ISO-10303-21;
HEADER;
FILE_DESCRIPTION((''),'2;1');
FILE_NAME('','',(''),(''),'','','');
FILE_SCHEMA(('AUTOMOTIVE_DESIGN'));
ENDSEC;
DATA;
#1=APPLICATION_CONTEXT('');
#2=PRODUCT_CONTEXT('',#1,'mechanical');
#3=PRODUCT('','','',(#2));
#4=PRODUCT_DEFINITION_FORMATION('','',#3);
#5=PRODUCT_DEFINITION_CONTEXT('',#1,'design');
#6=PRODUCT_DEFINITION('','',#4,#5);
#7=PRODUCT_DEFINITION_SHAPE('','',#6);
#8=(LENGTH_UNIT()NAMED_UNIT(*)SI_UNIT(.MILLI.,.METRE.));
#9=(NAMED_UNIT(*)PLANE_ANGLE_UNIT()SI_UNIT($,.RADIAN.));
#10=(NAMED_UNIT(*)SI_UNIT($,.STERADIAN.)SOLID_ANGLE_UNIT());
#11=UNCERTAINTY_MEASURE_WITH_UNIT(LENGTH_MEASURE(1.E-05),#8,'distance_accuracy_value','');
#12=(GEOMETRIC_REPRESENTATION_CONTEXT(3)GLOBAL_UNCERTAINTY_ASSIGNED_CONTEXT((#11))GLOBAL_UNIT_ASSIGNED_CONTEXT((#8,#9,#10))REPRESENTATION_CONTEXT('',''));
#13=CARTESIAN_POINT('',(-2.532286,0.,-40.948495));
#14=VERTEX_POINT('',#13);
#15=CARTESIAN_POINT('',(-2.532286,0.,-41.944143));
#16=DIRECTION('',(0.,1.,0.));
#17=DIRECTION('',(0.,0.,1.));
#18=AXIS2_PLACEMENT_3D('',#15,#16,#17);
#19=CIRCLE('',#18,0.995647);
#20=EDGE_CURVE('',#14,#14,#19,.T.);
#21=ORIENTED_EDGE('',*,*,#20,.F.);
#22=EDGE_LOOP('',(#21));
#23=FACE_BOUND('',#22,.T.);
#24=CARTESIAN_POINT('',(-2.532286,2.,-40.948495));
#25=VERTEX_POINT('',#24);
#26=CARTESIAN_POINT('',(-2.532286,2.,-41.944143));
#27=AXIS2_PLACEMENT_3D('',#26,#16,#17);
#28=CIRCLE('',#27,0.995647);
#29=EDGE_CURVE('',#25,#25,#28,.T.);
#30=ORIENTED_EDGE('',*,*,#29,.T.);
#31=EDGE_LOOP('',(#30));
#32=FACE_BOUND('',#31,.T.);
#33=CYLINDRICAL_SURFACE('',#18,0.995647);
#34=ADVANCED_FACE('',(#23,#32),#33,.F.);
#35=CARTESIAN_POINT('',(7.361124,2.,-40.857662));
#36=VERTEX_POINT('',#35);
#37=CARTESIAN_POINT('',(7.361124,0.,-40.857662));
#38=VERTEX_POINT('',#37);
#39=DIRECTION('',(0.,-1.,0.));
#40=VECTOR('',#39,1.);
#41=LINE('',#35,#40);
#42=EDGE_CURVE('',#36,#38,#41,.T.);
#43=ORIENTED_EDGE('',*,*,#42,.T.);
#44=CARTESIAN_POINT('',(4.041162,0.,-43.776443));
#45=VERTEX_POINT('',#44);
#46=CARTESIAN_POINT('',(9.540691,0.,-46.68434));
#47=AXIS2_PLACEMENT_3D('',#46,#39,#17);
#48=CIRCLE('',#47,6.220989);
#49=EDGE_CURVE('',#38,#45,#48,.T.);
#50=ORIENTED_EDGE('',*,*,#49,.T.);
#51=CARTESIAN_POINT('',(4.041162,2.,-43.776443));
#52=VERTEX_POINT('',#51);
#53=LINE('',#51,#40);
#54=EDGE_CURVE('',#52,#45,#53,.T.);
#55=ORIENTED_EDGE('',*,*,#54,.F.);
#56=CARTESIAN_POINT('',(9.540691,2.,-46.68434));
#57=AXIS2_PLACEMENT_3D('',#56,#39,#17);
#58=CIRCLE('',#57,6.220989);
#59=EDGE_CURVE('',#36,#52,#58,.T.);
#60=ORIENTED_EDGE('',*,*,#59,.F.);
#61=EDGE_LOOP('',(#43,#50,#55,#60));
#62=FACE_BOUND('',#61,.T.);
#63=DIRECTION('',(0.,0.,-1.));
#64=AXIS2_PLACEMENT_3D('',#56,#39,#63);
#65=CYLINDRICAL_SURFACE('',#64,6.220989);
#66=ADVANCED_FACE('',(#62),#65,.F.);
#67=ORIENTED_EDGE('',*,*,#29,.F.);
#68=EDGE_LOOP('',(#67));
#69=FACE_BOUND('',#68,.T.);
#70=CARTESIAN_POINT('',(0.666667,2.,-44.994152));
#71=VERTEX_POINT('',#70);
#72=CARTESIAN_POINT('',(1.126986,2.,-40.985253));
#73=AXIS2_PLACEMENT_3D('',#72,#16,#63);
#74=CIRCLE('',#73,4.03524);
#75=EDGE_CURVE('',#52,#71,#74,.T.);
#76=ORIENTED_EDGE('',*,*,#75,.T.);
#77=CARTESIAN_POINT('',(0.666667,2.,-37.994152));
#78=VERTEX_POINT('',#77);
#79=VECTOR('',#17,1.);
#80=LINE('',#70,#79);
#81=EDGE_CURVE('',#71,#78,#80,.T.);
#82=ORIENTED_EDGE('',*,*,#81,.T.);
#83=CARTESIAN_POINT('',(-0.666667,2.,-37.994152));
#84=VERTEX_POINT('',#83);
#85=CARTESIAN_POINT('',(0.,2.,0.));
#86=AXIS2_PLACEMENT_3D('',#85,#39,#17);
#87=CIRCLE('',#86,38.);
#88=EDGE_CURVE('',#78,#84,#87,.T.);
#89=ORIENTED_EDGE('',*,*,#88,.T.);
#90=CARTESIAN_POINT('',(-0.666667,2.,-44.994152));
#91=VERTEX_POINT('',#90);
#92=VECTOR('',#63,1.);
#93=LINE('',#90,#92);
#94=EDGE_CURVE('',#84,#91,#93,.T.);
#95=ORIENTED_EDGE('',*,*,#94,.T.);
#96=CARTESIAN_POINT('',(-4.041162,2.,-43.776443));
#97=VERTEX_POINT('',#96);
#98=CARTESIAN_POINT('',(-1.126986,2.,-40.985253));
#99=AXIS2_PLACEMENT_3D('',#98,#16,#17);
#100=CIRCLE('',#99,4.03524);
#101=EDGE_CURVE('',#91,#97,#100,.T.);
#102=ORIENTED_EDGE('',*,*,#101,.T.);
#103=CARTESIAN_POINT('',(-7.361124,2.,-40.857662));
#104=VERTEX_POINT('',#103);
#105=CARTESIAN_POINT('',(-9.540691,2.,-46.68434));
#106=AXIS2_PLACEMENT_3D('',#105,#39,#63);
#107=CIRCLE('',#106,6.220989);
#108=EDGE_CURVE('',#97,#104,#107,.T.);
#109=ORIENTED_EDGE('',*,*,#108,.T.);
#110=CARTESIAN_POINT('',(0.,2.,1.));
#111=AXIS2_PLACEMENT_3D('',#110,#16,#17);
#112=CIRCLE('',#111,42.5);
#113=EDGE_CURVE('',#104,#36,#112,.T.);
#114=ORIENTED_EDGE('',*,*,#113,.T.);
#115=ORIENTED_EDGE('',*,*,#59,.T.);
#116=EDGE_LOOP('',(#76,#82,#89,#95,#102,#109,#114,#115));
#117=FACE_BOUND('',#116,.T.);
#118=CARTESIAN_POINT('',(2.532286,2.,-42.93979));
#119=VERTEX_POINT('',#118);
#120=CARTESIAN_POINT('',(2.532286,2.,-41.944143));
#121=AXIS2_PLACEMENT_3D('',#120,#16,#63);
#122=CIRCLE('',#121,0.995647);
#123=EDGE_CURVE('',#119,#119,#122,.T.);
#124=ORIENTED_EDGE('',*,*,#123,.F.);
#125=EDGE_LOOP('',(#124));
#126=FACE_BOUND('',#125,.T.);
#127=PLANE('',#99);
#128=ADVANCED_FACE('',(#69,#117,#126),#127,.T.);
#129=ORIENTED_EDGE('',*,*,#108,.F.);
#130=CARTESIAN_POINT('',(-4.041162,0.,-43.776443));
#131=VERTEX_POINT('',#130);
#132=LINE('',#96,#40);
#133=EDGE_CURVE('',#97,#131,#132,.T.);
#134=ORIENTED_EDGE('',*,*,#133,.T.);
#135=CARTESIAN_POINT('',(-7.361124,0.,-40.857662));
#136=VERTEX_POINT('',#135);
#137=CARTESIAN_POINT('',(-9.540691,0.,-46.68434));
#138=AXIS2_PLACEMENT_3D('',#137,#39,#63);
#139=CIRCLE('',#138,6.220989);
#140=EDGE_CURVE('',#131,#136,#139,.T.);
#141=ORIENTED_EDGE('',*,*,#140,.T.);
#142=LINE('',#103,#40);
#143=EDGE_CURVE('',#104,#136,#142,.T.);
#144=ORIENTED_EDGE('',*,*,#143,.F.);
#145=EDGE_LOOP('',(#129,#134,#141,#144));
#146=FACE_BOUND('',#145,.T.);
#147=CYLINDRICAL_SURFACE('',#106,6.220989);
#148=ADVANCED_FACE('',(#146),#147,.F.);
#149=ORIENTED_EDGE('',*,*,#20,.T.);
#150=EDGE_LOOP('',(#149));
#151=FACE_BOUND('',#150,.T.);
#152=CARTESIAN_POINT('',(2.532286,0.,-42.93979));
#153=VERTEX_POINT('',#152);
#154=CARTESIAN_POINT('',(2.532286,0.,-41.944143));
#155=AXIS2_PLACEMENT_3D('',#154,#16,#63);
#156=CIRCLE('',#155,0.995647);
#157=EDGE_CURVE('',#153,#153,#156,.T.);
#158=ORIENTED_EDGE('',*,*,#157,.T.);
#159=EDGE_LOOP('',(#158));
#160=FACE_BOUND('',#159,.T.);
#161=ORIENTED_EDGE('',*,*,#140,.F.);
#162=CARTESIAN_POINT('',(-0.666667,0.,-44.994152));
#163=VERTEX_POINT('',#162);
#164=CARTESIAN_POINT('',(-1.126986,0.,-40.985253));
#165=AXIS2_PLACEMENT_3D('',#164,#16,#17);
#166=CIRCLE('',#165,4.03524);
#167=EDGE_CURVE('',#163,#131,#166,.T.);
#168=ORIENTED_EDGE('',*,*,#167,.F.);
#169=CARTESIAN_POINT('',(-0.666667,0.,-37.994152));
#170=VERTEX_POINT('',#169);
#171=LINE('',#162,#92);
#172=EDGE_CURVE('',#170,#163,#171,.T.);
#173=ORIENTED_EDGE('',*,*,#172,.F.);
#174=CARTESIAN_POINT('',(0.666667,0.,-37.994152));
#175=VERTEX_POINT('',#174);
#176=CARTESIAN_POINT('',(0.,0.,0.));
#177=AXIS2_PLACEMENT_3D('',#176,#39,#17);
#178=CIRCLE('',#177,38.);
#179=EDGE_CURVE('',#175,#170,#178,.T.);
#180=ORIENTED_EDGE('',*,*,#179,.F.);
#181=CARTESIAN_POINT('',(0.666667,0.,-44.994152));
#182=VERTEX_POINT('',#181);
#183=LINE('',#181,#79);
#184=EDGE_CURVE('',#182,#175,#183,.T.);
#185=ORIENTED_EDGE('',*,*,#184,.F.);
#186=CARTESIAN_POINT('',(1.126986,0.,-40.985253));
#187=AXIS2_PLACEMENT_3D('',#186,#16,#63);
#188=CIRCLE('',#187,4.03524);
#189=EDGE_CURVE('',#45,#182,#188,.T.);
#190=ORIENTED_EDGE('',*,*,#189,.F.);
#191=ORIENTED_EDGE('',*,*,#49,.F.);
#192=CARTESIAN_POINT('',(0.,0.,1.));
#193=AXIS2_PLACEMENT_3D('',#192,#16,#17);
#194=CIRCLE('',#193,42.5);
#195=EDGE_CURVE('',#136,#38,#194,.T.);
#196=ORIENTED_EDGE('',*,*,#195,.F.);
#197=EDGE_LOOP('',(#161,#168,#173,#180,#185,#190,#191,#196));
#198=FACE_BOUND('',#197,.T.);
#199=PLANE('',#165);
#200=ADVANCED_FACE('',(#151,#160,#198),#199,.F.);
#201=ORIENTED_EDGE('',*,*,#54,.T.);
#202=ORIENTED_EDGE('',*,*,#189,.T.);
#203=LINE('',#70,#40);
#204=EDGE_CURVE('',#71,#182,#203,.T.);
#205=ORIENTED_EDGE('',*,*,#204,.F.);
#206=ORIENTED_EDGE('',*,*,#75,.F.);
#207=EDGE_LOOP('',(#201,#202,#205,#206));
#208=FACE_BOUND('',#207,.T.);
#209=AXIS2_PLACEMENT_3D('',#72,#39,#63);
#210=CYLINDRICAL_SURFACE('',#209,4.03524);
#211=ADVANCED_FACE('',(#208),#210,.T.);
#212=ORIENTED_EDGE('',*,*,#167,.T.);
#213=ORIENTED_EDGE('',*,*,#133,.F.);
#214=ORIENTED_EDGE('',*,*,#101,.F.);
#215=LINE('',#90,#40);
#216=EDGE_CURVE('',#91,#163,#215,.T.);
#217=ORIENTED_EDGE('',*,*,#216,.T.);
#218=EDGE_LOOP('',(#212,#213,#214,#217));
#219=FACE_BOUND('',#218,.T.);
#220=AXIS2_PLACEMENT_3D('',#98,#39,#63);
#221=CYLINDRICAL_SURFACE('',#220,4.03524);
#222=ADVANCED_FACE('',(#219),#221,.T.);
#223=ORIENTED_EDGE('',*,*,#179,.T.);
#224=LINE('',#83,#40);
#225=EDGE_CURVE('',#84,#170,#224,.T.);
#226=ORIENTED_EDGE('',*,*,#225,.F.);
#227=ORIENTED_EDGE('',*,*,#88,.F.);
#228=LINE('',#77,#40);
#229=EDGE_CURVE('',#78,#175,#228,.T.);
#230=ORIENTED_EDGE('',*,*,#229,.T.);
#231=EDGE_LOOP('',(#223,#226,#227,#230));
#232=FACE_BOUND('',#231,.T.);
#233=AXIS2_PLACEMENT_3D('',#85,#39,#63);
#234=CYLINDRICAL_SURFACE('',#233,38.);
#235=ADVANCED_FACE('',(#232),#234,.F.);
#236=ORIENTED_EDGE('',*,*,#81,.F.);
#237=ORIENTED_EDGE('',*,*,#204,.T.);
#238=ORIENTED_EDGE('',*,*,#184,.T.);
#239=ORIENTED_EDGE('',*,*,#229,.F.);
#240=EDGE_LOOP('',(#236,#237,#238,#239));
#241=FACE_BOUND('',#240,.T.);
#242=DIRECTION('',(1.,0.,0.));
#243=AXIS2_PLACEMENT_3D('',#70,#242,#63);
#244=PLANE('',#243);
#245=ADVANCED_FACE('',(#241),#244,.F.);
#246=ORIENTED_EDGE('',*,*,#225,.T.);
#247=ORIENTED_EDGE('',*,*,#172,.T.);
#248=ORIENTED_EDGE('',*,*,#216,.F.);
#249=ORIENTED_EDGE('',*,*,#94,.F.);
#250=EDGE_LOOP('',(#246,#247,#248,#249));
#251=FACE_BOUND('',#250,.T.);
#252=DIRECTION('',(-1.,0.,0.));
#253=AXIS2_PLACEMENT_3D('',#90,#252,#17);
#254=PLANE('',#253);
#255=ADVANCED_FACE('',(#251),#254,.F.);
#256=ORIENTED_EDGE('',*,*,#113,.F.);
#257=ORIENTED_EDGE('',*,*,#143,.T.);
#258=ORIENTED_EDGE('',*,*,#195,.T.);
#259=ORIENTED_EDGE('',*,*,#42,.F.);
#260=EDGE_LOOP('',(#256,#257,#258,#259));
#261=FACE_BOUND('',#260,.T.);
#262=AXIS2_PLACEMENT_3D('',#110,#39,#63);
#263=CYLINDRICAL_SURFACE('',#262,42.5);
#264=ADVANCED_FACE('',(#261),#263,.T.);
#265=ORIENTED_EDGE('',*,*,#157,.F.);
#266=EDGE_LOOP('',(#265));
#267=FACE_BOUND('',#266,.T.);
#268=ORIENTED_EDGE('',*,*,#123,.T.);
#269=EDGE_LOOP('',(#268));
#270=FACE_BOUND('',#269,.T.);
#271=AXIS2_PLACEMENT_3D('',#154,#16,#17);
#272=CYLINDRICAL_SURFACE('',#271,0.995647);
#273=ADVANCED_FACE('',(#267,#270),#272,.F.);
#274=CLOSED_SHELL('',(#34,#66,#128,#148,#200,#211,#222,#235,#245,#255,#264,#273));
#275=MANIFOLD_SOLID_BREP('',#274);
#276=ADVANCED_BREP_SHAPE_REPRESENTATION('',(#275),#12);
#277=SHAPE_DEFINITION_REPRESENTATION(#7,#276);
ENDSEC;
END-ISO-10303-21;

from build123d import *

# Parameters (mm, degrees)
RESSALTO_EXTRUS_O1_DEPTH = 2
ESBO_O2_R                = 0.995647449
CORTE_EXTRUS_O2_DEPTH    = 2


with BuildPart() as part:
    # Esboço1 → Ressalto-extrusão1 (new body)
    with BuildSketch(Plane(origin=(0, 0, 0), x_dir=(1, 0, 0), z_dir=(0, 1, 0))):
        with BuildLine():
            Line((-0.666666667, 44.994151597), (-0.666666667, 37.994151597))
            ThreePointArc((-0.666666667, 37.994151597), (0, -38), (0.666666667, 37.994151597))
            Line((0.666666667, 37.994151597), (0.666666667, 44.994151597))
            ThreePointArc((0.666666667, 44.994151597), (2.49667801, 44.780922159), (4.041161547, 43.776442735))
            ThreePointArc((4.041161547, 43.776442735), (5.433142777, 42.012216456), (7.361123559, 40.857661903))
            ThreePointArc((7.361123559, 40.857661903), (0, -43.5), (-7.361123559, 40.857661903))
            ThreePointArc((-7.361123559, 40.857661903), (-5.433142777, 42.012216456), (-4.041161547, 43.776442735))
            ThreePointArc((-4.041161547, 43.776442735), (-2.49667801, 44.780922159), (-0.666666667, 44.994151597))
        make_face()
    extrude(amount=RESSALTO_EXTRUS_O1_DEPTH)

    # Esboço2 → Corte-extrusão2 (cut)
    with BuildSketch(Plane(origin=(0, 2, 0), x_dir=(1, 0, 0), z_dir=(0, 1, 0))):
        with Locations(Location((-2.532286153, 41.944142536, 0), (0, 0, 270))):
            Circle(ESBO_O2_R)
        with Locations(Location((2.532286153, 41.944142536, 0), (0, 0, 90))):
            Circle(ESBO_O2_R)
    extrude(amount=-CORTE_EXTRUS_O2_DEPTH, mode=Mode.SUBTRACT)


solid = part.part
